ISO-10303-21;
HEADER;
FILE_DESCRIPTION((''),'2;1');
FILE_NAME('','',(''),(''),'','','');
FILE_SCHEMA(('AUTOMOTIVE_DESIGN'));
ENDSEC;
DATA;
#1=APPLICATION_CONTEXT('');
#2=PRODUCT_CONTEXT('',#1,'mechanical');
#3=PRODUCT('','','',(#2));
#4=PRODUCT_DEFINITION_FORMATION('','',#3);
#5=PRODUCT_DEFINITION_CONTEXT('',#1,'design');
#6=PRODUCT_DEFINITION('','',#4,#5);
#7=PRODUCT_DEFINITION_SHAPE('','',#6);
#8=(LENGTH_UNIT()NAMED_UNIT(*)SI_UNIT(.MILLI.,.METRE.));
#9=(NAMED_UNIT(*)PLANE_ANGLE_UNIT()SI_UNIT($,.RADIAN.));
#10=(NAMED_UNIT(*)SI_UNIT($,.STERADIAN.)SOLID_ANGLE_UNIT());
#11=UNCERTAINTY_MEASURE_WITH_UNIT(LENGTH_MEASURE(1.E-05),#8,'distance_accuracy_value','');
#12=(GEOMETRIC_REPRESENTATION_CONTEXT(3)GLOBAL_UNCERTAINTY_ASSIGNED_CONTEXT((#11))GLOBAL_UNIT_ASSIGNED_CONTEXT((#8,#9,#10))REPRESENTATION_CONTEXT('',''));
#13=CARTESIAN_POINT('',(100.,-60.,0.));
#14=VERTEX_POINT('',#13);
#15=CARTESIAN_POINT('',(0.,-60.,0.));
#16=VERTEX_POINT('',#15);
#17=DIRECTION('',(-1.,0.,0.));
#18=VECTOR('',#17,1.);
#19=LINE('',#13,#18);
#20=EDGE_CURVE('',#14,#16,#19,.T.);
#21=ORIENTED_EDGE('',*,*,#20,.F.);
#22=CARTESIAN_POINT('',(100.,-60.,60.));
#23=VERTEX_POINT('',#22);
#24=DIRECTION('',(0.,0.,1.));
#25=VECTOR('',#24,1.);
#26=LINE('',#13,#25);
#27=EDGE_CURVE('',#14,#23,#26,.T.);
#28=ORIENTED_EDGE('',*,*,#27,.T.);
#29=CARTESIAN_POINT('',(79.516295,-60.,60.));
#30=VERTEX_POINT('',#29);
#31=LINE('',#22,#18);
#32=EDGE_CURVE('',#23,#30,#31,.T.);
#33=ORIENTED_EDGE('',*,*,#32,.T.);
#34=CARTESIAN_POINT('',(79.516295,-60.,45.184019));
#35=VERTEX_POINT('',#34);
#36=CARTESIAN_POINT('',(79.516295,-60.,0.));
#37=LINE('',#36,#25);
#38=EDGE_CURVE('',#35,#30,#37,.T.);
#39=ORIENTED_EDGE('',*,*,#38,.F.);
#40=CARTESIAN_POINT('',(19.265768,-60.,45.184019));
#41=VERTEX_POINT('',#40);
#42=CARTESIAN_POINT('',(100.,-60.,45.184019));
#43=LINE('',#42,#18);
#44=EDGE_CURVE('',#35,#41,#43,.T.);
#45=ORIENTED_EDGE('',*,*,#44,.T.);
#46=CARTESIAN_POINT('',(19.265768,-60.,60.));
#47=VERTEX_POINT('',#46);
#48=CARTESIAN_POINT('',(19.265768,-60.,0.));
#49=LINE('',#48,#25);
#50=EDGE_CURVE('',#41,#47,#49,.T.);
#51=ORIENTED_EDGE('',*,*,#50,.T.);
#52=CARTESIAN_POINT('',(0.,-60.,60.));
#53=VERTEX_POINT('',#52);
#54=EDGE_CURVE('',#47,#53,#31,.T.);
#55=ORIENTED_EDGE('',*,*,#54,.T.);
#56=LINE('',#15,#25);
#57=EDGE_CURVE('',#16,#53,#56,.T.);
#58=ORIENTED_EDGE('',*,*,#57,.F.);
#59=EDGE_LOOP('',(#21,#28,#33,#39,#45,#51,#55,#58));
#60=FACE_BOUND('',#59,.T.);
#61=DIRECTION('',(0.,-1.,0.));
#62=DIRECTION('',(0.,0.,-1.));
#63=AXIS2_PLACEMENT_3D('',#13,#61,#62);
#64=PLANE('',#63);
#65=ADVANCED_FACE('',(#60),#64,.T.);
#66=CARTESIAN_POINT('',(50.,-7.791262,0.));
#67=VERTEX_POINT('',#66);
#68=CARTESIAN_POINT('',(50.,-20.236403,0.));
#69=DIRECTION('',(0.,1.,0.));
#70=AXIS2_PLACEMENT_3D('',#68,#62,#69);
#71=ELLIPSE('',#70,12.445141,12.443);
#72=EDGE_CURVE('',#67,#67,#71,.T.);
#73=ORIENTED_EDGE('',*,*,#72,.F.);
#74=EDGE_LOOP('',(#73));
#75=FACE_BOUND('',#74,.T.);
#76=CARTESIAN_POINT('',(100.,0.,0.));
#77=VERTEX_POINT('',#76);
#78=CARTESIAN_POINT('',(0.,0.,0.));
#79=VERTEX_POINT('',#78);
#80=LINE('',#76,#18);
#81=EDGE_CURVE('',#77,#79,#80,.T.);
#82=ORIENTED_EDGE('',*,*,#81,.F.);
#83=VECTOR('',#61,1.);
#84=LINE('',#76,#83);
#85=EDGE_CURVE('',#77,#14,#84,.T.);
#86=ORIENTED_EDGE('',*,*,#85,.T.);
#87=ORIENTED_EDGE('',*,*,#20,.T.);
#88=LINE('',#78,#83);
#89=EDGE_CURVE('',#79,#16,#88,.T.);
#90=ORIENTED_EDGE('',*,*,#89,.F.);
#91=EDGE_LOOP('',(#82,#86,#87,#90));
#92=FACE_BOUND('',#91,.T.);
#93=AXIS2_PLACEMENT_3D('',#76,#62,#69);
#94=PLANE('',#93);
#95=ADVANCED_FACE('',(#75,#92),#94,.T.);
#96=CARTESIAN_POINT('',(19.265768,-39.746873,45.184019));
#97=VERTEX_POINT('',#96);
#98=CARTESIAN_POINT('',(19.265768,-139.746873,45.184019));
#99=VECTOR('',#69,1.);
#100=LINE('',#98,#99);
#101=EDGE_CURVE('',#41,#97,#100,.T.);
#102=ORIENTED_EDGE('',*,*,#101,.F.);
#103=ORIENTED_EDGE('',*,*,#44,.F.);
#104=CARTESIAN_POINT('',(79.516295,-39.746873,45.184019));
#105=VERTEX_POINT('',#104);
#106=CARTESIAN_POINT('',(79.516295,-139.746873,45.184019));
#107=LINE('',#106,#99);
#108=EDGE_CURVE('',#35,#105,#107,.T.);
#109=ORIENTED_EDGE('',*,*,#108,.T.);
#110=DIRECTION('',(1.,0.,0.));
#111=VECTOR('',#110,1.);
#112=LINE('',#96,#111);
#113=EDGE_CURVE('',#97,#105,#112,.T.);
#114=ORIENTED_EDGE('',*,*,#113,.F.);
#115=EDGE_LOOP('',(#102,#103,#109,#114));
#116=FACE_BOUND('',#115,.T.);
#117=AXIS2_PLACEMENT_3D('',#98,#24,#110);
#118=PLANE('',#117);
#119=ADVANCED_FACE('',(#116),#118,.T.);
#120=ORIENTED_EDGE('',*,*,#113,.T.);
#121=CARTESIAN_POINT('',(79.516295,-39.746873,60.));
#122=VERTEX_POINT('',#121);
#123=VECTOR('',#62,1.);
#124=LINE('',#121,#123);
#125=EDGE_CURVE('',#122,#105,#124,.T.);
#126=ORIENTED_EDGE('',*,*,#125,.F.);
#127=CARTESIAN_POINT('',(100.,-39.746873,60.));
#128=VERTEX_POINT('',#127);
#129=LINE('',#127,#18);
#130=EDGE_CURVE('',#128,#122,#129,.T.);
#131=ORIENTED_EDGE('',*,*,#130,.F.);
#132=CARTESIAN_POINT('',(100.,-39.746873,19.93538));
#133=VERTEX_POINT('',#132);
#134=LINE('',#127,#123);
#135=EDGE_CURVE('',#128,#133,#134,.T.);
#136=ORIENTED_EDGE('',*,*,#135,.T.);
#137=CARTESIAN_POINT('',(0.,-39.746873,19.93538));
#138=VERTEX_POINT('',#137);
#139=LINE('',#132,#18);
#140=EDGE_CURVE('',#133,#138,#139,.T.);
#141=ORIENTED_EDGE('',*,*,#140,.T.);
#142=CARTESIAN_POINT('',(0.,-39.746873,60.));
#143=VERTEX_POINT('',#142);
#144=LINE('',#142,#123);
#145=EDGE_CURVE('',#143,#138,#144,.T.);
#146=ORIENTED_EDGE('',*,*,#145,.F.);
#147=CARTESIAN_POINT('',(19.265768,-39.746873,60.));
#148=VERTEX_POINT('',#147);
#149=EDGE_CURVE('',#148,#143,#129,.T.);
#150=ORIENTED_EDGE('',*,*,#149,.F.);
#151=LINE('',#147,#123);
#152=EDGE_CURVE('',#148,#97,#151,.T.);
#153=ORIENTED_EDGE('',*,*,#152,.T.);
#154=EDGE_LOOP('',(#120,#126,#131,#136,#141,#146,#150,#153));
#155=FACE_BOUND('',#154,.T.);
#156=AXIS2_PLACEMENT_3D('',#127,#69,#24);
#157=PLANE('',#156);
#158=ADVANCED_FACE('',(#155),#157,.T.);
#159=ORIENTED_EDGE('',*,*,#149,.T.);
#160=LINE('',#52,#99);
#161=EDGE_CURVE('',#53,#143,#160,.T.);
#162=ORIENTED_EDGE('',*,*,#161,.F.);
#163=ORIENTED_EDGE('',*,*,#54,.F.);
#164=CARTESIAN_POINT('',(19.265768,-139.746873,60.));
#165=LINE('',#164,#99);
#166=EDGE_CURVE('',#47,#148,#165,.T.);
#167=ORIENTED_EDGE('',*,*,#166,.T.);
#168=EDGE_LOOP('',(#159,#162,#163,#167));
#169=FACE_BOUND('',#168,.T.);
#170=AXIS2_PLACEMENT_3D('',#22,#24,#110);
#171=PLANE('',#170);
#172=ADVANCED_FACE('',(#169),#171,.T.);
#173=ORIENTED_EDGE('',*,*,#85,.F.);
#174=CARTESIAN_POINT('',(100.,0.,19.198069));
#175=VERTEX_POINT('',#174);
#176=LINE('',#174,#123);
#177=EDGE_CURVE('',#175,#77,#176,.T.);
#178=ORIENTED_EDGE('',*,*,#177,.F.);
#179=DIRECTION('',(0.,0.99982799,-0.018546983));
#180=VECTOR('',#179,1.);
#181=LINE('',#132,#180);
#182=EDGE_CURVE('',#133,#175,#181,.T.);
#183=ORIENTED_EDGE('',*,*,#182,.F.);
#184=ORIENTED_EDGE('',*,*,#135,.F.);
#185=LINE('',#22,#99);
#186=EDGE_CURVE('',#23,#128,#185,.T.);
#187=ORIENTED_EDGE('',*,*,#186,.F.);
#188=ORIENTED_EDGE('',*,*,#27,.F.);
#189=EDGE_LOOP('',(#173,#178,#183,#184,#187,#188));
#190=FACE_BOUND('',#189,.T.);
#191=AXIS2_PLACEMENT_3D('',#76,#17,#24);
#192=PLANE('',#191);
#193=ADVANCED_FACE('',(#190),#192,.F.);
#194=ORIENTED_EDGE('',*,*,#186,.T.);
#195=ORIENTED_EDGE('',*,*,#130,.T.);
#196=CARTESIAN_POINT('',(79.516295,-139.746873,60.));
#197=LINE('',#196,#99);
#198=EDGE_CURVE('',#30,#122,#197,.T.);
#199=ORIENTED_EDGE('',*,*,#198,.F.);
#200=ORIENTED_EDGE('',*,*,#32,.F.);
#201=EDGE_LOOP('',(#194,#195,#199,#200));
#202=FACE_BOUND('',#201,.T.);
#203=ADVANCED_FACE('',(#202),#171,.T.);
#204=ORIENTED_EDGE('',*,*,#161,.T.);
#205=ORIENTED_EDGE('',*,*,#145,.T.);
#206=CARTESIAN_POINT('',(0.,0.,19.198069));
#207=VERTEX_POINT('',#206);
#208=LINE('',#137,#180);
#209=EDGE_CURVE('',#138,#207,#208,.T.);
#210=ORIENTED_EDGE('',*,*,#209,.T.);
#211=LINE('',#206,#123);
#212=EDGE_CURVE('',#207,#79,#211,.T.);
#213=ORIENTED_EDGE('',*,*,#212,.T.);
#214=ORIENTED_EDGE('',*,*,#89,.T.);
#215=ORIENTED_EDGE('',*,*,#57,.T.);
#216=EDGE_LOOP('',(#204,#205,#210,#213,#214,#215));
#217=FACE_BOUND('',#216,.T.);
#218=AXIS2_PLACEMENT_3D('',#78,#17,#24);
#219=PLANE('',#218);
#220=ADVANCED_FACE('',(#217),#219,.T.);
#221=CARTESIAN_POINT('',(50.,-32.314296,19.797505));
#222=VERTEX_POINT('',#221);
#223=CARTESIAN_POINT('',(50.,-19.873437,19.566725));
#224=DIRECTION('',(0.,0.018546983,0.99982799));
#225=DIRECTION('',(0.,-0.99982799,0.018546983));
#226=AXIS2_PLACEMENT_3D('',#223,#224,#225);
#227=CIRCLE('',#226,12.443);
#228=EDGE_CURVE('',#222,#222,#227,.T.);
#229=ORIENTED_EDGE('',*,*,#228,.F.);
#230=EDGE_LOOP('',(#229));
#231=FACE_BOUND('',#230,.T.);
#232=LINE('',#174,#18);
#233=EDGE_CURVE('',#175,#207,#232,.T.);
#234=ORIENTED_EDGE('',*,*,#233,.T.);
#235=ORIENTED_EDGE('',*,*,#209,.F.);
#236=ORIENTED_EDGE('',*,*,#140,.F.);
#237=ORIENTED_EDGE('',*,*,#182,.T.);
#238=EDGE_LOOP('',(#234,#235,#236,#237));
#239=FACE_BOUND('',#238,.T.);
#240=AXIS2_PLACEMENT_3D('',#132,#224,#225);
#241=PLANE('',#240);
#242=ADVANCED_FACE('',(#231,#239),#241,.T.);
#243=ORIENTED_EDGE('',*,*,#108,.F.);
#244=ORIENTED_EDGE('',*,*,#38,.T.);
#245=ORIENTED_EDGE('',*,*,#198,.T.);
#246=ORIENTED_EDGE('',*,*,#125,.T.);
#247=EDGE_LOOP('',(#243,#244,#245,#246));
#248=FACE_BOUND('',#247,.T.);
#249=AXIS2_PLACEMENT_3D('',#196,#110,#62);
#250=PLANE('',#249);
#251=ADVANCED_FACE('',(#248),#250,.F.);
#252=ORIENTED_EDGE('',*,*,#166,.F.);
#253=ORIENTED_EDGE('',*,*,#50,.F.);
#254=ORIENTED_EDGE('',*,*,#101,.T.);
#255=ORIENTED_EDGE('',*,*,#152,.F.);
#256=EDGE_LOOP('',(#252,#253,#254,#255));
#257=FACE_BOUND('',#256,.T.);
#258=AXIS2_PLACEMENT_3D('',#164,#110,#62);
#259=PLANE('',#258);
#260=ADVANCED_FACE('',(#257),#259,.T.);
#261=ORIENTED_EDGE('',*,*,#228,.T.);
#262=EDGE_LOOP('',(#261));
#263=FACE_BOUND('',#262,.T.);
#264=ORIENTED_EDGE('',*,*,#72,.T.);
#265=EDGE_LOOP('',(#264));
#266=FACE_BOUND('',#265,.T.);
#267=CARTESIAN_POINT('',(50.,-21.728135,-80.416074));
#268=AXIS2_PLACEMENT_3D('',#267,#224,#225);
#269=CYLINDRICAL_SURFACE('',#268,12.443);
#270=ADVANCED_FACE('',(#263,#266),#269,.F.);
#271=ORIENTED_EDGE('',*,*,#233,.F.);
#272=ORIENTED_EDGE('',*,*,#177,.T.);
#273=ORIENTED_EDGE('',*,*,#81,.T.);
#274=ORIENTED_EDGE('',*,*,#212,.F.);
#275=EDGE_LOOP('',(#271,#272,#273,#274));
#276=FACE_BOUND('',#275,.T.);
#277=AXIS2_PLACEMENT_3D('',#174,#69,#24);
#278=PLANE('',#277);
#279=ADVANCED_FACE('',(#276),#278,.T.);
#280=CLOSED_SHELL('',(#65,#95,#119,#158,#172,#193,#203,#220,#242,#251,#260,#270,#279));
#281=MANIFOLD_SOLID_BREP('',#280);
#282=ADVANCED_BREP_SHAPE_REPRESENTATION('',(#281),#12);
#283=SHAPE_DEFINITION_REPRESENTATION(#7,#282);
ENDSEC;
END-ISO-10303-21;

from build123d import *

# Parameters (mm, degrees)
BOSS_EXTRUDE1_DEPTH = 100
SKETCH5_R           = 12.44300021
SKETCH5_W           = 62.427684028
SKETCH5_H           = 20.04871256
CUT_EXTRUDE1_DEPTH  = 100
SKETCH6_W           = 60.250527476
SKETCH6_H           = 14.81598125
CUT_EXTRUDE2_DEPTH  = 100


with BuildPart() as part:
    # Sketch2 → Boss-Extrude1 (new body)
    with BuildSketch(Plane(origin=(0, 0, 0), x_dir=(0, 0, -1), z_dir=(1, 0, 0))):
        Polygon((0, 0), (0, -60), (-60, -60), (-60, -39.746873043), (-19.935380451, -39.746873043), (-19.198069057, 0), align=None)
    extrude(amount=BOSS_EXTRUDE1_DEPTH)

    # Sketch5 → Cut-Extrude1 (cut)
    with BuildSketch(Plane(origin=(0, 0.356005009, 19.191465102), x_dir=(1, 0, 0), z_dir=(0, 0.018546982770064533, 0.99982798992133))):
        with Locations(Location((50, -20.232921797, 0), (0, 0, 270))):
            Circle(SKETCH5_R)
        with Locations((27.151963887, -76.870783424)):
            Rectangle(SKETCH5_W, SKETCH5_H)
    extrude(amount=-CUT_EXTRUDE1_DEPTH, mode=Mode.SUBTRACT)

    # Sketch6 → Cut-Extrude2 (cut)
    with BuildSketch(Plane(origin=(0, -39.746873043, 0), x_dir=(1, 0, 0), z_dir=(0, 1, 0))):
        with Locations((49.391031419, -52.592009375)):
            Rectangle(SKETCH6_W, SKETCH6_H)
    extrude(amount=-CUT_EXTRUDE2_DEPTH, mode=Mode.SUBTRACT)


solid = part.part
